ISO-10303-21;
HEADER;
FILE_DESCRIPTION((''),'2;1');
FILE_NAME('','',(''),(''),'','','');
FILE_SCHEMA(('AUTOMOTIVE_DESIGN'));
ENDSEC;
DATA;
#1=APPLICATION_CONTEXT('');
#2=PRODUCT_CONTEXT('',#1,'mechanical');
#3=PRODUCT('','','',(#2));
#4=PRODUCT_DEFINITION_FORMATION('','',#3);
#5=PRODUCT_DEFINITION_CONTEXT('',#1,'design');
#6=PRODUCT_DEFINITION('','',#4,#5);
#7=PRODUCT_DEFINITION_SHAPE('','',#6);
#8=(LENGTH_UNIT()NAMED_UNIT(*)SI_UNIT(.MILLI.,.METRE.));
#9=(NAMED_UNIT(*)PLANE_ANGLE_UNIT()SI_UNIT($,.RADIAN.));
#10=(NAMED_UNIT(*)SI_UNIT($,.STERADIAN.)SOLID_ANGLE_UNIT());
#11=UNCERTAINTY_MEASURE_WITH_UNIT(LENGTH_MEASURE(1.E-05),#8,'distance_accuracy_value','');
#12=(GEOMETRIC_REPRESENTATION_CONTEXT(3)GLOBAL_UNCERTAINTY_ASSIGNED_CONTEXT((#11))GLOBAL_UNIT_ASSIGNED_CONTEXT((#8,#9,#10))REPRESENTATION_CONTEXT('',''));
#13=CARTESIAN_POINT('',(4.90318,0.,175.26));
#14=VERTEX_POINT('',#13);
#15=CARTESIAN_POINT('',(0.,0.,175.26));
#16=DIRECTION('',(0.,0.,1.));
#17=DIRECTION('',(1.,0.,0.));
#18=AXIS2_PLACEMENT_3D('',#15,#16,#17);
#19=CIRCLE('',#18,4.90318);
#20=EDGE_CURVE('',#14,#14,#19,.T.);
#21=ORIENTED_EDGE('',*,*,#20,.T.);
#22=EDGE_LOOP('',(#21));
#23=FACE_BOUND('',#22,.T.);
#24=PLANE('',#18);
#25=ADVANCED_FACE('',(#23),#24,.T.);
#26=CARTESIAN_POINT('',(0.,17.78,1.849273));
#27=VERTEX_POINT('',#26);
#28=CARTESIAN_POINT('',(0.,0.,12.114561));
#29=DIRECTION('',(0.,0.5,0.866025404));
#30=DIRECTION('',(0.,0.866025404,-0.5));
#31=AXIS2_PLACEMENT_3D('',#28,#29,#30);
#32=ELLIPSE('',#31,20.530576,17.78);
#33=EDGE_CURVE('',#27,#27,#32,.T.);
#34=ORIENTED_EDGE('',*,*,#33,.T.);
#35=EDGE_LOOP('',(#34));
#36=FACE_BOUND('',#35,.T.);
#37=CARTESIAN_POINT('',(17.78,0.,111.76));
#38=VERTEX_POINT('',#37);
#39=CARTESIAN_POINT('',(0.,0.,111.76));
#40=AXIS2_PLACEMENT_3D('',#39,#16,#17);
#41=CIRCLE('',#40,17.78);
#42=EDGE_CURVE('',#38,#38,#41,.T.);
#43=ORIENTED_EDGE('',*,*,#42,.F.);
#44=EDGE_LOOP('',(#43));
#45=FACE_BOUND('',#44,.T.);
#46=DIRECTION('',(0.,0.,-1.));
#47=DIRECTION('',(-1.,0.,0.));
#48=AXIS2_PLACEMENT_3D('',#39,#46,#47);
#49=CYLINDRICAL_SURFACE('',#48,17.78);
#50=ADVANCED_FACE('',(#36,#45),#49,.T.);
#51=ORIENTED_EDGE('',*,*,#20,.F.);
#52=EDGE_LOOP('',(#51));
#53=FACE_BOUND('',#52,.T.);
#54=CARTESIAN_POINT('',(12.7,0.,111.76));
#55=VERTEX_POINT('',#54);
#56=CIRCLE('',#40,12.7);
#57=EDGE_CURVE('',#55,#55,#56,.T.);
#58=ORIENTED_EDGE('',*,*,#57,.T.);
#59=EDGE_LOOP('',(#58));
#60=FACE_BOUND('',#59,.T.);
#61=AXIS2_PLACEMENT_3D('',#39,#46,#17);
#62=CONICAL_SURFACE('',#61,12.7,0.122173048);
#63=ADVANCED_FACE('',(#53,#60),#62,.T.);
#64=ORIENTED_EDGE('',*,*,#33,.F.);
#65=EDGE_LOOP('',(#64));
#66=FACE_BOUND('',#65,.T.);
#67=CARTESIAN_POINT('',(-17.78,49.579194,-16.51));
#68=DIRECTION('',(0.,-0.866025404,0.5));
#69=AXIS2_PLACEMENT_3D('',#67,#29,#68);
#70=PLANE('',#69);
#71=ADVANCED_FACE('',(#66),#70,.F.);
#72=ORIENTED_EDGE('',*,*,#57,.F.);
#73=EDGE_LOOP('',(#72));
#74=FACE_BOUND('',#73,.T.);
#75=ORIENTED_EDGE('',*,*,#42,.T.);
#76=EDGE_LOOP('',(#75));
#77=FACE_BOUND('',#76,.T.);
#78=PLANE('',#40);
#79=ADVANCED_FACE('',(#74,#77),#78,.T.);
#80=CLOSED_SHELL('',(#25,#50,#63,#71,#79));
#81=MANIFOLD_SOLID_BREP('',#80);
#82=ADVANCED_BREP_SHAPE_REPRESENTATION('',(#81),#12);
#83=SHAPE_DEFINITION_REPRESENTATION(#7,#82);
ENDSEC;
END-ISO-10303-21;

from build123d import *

# Parameters (mm, degrees)
SKETCH1_R               = 17.78
BOSS_EXTRUDE1_DEPTH     = 111.76
SKETCH2_R               = 12.7
BOSS_EXTRUDE2_DEPTH     = 63.5
BOSS_EXTRUDE2_TAPER     = 7
CUT_EXTRUDE1_DEPTH      = 178.054580285
CUT_EXTRUDE1_DEPTH_BACK = 178.054580285


with BuildPart() as part:
    # Sketch1 → Boss-Extrude1 (new body)
    with BuildSketch(Plane.XY):
        Circle(SKETCH1_R)
    extrude(amount=BOSS_EXTRUDE1_DEPTH)

    # Sketch2 → Boss-Extrude2 (add)
    with BuildSketch(Plane.XY.offset(111.76)):
        Circle(SKETCH2_R)
    extrude(amount=BOSS_EXTRUDE2_DEPTH, taper=BOSS_EXTRUDE2_TAPER)

    # Sketch4 → Cut-Extrude1 (cut, two sides: drawn at the far end of the back side and taken through both)
    with BuildSketch(Plane(origin=(0, 0, 0), x_dir=(0, 0, -1), z_dir=(1, 0, 0)).offset(-CUT_EXTRUDE1_DEPTH_BACK)):
        Polygon((16.51, 49.579194367), (-26.426841821, -24.789597184), (59.446841821, -24.789597184), align=None)
    extrude(amount=CUT_EXTRUDE1_DEPTH + CUT_EXTRUDE1_DEPTH_BACK, mode=Mode.SUBTRACT)


solid = part.part
